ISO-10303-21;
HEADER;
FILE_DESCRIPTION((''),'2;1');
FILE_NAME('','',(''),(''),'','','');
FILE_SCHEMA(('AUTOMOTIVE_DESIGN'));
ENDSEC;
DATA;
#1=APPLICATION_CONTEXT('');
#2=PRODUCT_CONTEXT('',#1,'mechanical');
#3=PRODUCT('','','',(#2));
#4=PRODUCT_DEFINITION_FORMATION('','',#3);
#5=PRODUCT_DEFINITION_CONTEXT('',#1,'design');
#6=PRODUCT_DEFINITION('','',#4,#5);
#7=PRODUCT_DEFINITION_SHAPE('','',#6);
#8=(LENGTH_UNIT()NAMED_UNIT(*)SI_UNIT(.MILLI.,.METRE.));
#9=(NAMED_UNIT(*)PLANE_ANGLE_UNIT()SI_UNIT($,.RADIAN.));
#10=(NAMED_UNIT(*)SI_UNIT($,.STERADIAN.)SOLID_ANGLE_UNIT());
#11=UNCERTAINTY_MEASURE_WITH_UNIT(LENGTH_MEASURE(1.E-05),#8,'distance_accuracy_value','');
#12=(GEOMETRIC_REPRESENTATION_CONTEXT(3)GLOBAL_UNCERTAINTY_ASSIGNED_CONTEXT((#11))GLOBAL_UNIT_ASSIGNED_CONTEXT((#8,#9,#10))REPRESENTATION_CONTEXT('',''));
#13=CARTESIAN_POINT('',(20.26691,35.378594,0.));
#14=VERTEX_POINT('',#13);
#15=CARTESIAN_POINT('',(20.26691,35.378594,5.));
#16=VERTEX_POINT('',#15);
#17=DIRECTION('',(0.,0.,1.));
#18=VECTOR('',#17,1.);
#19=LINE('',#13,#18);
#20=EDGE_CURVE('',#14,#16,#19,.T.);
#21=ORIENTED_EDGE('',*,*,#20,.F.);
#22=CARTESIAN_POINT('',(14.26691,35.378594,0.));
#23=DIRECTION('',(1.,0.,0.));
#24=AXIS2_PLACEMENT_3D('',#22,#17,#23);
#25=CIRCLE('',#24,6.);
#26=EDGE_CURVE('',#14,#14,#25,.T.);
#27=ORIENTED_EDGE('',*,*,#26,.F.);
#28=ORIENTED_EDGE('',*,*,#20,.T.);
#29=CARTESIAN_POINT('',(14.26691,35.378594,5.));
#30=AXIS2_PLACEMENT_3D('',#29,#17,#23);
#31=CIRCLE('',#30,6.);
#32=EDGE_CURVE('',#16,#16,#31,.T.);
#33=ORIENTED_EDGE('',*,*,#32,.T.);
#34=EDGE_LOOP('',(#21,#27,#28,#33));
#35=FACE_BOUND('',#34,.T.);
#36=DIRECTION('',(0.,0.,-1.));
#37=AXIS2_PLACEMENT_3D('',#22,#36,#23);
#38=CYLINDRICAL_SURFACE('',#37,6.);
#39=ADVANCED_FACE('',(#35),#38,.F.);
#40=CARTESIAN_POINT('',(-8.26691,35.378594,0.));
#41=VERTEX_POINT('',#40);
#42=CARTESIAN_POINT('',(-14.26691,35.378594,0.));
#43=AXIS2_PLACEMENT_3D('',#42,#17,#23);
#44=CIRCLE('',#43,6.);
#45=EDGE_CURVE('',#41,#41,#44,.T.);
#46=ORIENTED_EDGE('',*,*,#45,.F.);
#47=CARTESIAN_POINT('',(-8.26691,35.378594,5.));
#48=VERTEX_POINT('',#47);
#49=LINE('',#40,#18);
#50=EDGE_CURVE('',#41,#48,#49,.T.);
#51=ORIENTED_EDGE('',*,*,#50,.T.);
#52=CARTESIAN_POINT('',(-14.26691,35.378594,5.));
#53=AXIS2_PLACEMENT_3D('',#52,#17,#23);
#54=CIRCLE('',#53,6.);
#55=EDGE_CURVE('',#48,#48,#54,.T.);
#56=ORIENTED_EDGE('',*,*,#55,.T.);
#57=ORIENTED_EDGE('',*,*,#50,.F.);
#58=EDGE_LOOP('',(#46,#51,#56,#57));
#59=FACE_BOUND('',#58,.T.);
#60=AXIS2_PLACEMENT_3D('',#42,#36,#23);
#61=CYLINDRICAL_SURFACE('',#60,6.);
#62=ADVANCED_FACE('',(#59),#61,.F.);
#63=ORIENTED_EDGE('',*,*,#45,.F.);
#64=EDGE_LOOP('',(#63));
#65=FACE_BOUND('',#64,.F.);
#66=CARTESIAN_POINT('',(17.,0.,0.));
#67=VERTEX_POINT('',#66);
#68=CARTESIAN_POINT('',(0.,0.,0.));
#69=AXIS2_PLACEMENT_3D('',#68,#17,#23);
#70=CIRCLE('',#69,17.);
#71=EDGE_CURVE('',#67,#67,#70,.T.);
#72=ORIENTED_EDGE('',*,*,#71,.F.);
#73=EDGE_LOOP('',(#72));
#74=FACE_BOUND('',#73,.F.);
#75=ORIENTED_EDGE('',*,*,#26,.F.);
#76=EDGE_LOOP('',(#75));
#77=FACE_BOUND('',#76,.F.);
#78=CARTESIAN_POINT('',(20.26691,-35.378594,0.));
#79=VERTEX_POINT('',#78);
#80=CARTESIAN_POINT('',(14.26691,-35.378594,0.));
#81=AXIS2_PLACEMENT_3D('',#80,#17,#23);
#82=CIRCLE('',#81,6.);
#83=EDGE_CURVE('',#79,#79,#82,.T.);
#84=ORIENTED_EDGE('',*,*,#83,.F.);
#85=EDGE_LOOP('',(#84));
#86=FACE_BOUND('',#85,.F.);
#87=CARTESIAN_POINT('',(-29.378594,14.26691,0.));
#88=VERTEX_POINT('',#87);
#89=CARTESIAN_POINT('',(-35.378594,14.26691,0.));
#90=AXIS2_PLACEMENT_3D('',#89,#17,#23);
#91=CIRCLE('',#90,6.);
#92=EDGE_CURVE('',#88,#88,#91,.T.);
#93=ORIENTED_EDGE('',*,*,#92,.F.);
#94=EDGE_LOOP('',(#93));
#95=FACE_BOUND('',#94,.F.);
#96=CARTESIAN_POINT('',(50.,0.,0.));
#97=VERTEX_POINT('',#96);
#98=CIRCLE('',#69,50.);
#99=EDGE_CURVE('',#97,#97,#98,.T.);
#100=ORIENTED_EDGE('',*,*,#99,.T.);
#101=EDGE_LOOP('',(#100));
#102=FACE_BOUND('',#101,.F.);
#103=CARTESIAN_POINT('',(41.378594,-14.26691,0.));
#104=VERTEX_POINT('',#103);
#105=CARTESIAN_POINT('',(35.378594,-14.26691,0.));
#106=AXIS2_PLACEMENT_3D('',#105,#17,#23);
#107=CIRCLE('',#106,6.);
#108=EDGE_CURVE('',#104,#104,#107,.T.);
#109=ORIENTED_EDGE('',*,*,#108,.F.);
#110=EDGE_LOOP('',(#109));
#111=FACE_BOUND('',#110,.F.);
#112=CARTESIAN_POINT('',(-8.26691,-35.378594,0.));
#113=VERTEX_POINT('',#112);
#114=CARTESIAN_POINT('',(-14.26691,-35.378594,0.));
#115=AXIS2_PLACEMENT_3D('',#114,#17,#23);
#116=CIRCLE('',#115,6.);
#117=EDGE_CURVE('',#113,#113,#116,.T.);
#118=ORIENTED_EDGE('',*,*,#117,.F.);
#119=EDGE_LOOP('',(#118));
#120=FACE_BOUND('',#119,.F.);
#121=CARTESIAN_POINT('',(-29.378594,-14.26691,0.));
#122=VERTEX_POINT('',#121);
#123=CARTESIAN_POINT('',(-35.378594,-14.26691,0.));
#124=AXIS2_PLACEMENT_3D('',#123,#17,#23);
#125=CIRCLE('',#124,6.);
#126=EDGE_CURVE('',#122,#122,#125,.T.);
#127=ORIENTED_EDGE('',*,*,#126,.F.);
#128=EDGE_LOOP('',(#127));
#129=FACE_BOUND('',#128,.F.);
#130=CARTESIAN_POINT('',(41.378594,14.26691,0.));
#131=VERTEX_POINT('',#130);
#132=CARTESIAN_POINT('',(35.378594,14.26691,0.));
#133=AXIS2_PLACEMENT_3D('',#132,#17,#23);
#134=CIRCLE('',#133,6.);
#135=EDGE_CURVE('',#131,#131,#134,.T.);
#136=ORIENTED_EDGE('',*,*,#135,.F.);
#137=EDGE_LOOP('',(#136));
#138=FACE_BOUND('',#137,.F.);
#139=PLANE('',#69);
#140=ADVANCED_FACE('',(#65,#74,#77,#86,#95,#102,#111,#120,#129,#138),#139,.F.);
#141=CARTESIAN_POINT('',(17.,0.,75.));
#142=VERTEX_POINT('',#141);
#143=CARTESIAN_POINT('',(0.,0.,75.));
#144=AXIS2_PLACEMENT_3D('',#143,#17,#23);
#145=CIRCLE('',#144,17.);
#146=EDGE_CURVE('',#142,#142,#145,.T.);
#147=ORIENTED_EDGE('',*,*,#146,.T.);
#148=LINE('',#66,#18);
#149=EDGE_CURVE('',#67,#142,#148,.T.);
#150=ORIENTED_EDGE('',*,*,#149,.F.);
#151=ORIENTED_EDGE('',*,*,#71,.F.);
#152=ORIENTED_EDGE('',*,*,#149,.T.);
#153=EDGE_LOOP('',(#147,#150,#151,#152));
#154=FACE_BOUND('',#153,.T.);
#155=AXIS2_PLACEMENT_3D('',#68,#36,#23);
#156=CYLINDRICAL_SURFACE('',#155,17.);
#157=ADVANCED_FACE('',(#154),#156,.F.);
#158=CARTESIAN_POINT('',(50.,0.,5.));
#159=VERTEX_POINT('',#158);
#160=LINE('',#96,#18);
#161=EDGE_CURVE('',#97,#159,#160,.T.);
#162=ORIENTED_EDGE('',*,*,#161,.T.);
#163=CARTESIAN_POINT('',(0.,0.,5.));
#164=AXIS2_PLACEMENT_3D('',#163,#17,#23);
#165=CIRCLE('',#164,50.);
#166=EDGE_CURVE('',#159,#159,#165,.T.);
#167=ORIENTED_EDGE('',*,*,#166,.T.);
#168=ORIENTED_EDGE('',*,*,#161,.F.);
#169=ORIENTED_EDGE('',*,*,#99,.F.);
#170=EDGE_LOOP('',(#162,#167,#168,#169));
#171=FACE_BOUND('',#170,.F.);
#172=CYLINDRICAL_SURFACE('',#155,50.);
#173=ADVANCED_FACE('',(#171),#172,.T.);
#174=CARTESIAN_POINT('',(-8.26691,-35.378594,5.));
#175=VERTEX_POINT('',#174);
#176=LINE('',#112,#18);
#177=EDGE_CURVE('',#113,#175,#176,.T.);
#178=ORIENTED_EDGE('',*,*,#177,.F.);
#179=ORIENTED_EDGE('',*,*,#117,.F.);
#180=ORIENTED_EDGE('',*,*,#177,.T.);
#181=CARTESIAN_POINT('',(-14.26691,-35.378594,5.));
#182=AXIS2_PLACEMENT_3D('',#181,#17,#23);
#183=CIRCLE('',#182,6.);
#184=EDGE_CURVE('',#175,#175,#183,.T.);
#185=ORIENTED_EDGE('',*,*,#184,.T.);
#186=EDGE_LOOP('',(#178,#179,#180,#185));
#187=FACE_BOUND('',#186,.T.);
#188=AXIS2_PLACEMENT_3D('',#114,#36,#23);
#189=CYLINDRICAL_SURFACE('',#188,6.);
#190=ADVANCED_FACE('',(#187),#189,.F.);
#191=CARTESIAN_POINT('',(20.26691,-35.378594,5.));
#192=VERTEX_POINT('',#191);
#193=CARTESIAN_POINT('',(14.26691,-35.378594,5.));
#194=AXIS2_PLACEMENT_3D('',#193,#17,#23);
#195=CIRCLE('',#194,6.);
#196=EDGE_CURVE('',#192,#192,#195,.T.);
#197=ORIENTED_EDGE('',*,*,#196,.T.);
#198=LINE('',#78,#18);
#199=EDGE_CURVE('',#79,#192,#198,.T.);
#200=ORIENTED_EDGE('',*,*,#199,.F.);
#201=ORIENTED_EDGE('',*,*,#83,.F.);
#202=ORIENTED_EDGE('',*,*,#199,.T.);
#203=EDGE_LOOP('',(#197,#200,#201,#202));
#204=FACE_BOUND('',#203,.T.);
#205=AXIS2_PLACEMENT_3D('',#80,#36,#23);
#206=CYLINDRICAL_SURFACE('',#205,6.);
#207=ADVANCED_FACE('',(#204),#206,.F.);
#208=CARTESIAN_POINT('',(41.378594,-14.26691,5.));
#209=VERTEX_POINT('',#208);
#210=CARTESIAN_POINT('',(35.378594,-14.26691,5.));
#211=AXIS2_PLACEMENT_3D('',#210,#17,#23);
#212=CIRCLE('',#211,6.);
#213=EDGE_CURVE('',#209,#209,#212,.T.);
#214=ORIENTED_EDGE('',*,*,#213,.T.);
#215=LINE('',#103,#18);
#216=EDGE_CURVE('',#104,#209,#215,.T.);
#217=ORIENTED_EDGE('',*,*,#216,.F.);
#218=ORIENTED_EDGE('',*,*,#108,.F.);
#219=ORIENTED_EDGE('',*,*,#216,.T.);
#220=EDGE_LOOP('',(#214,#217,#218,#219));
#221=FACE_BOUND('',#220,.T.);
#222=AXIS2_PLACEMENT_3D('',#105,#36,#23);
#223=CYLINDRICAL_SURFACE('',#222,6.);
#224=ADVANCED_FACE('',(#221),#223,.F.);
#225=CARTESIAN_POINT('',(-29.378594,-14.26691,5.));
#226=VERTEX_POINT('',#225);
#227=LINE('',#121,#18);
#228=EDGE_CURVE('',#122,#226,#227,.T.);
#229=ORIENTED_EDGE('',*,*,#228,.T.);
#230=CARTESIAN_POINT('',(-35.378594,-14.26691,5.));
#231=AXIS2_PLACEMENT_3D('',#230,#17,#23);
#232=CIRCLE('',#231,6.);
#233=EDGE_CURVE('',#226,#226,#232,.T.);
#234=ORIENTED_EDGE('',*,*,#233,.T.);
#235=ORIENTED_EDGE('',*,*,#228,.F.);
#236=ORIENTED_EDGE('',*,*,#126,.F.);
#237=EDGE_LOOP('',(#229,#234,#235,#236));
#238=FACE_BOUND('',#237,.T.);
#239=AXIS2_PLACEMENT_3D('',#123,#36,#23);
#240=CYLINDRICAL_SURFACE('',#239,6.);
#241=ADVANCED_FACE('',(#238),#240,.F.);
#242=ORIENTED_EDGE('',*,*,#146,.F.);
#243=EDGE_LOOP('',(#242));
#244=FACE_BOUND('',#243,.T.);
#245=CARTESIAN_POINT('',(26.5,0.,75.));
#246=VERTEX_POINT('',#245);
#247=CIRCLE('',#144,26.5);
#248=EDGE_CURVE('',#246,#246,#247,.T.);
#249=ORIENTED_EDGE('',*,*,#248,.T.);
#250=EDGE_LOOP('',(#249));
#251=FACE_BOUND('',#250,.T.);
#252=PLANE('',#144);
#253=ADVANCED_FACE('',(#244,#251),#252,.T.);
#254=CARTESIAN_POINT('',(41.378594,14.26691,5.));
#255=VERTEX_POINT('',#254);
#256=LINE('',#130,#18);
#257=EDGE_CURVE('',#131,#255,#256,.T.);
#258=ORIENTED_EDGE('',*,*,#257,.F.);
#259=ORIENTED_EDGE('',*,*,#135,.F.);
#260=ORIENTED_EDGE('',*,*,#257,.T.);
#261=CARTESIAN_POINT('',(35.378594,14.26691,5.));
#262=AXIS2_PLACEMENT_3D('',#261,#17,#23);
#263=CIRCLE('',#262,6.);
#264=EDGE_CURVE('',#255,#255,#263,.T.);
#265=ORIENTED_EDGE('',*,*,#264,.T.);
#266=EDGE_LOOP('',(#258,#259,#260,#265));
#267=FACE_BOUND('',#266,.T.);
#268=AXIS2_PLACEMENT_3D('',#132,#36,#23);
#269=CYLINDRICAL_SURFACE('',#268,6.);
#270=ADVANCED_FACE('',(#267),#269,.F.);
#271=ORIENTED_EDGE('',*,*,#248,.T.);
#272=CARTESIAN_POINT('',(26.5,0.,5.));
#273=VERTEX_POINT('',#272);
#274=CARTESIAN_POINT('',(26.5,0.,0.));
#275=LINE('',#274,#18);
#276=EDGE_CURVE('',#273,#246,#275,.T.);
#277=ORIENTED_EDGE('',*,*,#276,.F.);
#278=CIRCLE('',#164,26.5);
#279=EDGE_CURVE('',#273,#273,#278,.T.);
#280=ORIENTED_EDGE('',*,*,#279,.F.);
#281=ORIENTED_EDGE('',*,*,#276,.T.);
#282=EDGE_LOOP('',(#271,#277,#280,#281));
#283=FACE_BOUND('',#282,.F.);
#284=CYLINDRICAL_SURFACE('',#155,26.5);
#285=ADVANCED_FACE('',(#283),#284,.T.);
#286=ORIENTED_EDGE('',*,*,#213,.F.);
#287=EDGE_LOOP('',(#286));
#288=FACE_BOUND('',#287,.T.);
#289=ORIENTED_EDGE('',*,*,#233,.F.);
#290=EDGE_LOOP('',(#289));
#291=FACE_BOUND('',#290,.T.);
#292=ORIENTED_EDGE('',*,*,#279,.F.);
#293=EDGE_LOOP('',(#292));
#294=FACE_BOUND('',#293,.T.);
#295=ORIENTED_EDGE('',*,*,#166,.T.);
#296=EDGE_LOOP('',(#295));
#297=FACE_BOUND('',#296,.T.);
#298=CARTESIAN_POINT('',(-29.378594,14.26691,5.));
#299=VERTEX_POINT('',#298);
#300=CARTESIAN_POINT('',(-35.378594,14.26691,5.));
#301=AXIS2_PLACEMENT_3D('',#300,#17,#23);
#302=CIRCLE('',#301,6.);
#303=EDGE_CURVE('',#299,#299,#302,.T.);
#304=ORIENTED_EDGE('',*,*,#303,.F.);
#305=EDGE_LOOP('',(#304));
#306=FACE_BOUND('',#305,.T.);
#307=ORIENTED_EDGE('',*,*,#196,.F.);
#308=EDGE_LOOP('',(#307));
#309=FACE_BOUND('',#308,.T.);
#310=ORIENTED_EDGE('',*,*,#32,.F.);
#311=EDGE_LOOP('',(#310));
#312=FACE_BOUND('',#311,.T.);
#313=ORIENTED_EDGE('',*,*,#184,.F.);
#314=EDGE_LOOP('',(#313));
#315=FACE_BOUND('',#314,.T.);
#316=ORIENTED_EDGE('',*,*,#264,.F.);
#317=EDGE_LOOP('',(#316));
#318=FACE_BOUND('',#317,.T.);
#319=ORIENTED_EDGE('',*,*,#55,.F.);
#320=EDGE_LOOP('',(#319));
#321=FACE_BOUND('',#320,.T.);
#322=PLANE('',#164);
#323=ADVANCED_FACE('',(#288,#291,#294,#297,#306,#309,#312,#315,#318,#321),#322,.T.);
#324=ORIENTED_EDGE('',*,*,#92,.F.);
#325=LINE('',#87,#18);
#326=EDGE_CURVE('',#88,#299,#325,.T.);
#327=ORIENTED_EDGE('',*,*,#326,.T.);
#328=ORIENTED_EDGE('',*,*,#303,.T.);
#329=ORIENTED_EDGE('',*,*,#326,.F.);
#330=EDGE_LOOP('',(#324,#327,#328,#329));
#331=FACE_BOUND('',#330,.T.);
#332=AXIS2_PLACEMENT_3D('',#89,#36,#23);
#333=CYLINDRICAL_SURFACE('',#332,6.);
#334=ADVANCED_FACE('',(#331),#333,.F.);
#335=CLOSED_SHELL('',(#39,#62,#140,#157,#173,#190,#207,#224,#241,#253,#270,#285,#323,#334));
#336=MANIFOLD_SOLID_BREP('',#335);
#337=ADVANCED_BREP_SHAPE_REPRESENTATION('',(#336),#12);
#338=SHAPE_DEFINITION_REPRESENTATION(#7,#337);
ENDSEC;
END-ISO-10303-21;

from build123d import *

# Parameters (mm, degrees)
F0_R     = 50
F0_R_2   = 6
F0_R_3   = 26.5
F1_DEPTH = 5
F0_R_4   = 17
F2_DEPTH = 75


with BuildPart() as f1:
    # F0 (on Top) → F1 (new body)
    with BuildSketch(Plane.XY):
        Circle(F0_R)
        with Locations((-14.26691, -35.378594)):
            Circle(F0_R_2, mode=Mode.SUBTRACT)
        with Locations((-35.378594, -14.26691)):
            Circle(F0_R_2, mode=Mode.SUBTRACT)
        with Locations((14.26691, -35.378594)):
            Circle(F0_R_2, mode=Mode.SUBTRACT)
        with Locations((35.378594, -14.26691)):
            Circle(F0_R_2, mode=Mode.SUBTRACT)
        with Locations((-35.378594, 14.26691)):
            Circle(F0_R_2, mode=Mode.SUBTRACT)
        with Locations((-14.26691, 35.378594)):
            Circle(F0_R_2, mode=Mode.SUBTRACT)
        Circle(F0_R_3, mode=Mode.SUBTRACT)
        with Locations((35.378594, 14.26691)):
            Circle(F0_R_2, mode=Mode.SUBTRACT)
        with Locations((14.26691, 35.378594)):
            Circle(F0_R_2, mode=Mode.SUBTRACT)
    extrude(amount=F1_DEPTH)

    # F0 (on Top) → F2 (join)
    with BuildSketch(Plane.XY):
        Circle(F0_R_3)
        Circle(F0_R_4, mode=Mode.SUBTRACT)
    extrude(amount=F2_DEPTH)


solid = f1.part
